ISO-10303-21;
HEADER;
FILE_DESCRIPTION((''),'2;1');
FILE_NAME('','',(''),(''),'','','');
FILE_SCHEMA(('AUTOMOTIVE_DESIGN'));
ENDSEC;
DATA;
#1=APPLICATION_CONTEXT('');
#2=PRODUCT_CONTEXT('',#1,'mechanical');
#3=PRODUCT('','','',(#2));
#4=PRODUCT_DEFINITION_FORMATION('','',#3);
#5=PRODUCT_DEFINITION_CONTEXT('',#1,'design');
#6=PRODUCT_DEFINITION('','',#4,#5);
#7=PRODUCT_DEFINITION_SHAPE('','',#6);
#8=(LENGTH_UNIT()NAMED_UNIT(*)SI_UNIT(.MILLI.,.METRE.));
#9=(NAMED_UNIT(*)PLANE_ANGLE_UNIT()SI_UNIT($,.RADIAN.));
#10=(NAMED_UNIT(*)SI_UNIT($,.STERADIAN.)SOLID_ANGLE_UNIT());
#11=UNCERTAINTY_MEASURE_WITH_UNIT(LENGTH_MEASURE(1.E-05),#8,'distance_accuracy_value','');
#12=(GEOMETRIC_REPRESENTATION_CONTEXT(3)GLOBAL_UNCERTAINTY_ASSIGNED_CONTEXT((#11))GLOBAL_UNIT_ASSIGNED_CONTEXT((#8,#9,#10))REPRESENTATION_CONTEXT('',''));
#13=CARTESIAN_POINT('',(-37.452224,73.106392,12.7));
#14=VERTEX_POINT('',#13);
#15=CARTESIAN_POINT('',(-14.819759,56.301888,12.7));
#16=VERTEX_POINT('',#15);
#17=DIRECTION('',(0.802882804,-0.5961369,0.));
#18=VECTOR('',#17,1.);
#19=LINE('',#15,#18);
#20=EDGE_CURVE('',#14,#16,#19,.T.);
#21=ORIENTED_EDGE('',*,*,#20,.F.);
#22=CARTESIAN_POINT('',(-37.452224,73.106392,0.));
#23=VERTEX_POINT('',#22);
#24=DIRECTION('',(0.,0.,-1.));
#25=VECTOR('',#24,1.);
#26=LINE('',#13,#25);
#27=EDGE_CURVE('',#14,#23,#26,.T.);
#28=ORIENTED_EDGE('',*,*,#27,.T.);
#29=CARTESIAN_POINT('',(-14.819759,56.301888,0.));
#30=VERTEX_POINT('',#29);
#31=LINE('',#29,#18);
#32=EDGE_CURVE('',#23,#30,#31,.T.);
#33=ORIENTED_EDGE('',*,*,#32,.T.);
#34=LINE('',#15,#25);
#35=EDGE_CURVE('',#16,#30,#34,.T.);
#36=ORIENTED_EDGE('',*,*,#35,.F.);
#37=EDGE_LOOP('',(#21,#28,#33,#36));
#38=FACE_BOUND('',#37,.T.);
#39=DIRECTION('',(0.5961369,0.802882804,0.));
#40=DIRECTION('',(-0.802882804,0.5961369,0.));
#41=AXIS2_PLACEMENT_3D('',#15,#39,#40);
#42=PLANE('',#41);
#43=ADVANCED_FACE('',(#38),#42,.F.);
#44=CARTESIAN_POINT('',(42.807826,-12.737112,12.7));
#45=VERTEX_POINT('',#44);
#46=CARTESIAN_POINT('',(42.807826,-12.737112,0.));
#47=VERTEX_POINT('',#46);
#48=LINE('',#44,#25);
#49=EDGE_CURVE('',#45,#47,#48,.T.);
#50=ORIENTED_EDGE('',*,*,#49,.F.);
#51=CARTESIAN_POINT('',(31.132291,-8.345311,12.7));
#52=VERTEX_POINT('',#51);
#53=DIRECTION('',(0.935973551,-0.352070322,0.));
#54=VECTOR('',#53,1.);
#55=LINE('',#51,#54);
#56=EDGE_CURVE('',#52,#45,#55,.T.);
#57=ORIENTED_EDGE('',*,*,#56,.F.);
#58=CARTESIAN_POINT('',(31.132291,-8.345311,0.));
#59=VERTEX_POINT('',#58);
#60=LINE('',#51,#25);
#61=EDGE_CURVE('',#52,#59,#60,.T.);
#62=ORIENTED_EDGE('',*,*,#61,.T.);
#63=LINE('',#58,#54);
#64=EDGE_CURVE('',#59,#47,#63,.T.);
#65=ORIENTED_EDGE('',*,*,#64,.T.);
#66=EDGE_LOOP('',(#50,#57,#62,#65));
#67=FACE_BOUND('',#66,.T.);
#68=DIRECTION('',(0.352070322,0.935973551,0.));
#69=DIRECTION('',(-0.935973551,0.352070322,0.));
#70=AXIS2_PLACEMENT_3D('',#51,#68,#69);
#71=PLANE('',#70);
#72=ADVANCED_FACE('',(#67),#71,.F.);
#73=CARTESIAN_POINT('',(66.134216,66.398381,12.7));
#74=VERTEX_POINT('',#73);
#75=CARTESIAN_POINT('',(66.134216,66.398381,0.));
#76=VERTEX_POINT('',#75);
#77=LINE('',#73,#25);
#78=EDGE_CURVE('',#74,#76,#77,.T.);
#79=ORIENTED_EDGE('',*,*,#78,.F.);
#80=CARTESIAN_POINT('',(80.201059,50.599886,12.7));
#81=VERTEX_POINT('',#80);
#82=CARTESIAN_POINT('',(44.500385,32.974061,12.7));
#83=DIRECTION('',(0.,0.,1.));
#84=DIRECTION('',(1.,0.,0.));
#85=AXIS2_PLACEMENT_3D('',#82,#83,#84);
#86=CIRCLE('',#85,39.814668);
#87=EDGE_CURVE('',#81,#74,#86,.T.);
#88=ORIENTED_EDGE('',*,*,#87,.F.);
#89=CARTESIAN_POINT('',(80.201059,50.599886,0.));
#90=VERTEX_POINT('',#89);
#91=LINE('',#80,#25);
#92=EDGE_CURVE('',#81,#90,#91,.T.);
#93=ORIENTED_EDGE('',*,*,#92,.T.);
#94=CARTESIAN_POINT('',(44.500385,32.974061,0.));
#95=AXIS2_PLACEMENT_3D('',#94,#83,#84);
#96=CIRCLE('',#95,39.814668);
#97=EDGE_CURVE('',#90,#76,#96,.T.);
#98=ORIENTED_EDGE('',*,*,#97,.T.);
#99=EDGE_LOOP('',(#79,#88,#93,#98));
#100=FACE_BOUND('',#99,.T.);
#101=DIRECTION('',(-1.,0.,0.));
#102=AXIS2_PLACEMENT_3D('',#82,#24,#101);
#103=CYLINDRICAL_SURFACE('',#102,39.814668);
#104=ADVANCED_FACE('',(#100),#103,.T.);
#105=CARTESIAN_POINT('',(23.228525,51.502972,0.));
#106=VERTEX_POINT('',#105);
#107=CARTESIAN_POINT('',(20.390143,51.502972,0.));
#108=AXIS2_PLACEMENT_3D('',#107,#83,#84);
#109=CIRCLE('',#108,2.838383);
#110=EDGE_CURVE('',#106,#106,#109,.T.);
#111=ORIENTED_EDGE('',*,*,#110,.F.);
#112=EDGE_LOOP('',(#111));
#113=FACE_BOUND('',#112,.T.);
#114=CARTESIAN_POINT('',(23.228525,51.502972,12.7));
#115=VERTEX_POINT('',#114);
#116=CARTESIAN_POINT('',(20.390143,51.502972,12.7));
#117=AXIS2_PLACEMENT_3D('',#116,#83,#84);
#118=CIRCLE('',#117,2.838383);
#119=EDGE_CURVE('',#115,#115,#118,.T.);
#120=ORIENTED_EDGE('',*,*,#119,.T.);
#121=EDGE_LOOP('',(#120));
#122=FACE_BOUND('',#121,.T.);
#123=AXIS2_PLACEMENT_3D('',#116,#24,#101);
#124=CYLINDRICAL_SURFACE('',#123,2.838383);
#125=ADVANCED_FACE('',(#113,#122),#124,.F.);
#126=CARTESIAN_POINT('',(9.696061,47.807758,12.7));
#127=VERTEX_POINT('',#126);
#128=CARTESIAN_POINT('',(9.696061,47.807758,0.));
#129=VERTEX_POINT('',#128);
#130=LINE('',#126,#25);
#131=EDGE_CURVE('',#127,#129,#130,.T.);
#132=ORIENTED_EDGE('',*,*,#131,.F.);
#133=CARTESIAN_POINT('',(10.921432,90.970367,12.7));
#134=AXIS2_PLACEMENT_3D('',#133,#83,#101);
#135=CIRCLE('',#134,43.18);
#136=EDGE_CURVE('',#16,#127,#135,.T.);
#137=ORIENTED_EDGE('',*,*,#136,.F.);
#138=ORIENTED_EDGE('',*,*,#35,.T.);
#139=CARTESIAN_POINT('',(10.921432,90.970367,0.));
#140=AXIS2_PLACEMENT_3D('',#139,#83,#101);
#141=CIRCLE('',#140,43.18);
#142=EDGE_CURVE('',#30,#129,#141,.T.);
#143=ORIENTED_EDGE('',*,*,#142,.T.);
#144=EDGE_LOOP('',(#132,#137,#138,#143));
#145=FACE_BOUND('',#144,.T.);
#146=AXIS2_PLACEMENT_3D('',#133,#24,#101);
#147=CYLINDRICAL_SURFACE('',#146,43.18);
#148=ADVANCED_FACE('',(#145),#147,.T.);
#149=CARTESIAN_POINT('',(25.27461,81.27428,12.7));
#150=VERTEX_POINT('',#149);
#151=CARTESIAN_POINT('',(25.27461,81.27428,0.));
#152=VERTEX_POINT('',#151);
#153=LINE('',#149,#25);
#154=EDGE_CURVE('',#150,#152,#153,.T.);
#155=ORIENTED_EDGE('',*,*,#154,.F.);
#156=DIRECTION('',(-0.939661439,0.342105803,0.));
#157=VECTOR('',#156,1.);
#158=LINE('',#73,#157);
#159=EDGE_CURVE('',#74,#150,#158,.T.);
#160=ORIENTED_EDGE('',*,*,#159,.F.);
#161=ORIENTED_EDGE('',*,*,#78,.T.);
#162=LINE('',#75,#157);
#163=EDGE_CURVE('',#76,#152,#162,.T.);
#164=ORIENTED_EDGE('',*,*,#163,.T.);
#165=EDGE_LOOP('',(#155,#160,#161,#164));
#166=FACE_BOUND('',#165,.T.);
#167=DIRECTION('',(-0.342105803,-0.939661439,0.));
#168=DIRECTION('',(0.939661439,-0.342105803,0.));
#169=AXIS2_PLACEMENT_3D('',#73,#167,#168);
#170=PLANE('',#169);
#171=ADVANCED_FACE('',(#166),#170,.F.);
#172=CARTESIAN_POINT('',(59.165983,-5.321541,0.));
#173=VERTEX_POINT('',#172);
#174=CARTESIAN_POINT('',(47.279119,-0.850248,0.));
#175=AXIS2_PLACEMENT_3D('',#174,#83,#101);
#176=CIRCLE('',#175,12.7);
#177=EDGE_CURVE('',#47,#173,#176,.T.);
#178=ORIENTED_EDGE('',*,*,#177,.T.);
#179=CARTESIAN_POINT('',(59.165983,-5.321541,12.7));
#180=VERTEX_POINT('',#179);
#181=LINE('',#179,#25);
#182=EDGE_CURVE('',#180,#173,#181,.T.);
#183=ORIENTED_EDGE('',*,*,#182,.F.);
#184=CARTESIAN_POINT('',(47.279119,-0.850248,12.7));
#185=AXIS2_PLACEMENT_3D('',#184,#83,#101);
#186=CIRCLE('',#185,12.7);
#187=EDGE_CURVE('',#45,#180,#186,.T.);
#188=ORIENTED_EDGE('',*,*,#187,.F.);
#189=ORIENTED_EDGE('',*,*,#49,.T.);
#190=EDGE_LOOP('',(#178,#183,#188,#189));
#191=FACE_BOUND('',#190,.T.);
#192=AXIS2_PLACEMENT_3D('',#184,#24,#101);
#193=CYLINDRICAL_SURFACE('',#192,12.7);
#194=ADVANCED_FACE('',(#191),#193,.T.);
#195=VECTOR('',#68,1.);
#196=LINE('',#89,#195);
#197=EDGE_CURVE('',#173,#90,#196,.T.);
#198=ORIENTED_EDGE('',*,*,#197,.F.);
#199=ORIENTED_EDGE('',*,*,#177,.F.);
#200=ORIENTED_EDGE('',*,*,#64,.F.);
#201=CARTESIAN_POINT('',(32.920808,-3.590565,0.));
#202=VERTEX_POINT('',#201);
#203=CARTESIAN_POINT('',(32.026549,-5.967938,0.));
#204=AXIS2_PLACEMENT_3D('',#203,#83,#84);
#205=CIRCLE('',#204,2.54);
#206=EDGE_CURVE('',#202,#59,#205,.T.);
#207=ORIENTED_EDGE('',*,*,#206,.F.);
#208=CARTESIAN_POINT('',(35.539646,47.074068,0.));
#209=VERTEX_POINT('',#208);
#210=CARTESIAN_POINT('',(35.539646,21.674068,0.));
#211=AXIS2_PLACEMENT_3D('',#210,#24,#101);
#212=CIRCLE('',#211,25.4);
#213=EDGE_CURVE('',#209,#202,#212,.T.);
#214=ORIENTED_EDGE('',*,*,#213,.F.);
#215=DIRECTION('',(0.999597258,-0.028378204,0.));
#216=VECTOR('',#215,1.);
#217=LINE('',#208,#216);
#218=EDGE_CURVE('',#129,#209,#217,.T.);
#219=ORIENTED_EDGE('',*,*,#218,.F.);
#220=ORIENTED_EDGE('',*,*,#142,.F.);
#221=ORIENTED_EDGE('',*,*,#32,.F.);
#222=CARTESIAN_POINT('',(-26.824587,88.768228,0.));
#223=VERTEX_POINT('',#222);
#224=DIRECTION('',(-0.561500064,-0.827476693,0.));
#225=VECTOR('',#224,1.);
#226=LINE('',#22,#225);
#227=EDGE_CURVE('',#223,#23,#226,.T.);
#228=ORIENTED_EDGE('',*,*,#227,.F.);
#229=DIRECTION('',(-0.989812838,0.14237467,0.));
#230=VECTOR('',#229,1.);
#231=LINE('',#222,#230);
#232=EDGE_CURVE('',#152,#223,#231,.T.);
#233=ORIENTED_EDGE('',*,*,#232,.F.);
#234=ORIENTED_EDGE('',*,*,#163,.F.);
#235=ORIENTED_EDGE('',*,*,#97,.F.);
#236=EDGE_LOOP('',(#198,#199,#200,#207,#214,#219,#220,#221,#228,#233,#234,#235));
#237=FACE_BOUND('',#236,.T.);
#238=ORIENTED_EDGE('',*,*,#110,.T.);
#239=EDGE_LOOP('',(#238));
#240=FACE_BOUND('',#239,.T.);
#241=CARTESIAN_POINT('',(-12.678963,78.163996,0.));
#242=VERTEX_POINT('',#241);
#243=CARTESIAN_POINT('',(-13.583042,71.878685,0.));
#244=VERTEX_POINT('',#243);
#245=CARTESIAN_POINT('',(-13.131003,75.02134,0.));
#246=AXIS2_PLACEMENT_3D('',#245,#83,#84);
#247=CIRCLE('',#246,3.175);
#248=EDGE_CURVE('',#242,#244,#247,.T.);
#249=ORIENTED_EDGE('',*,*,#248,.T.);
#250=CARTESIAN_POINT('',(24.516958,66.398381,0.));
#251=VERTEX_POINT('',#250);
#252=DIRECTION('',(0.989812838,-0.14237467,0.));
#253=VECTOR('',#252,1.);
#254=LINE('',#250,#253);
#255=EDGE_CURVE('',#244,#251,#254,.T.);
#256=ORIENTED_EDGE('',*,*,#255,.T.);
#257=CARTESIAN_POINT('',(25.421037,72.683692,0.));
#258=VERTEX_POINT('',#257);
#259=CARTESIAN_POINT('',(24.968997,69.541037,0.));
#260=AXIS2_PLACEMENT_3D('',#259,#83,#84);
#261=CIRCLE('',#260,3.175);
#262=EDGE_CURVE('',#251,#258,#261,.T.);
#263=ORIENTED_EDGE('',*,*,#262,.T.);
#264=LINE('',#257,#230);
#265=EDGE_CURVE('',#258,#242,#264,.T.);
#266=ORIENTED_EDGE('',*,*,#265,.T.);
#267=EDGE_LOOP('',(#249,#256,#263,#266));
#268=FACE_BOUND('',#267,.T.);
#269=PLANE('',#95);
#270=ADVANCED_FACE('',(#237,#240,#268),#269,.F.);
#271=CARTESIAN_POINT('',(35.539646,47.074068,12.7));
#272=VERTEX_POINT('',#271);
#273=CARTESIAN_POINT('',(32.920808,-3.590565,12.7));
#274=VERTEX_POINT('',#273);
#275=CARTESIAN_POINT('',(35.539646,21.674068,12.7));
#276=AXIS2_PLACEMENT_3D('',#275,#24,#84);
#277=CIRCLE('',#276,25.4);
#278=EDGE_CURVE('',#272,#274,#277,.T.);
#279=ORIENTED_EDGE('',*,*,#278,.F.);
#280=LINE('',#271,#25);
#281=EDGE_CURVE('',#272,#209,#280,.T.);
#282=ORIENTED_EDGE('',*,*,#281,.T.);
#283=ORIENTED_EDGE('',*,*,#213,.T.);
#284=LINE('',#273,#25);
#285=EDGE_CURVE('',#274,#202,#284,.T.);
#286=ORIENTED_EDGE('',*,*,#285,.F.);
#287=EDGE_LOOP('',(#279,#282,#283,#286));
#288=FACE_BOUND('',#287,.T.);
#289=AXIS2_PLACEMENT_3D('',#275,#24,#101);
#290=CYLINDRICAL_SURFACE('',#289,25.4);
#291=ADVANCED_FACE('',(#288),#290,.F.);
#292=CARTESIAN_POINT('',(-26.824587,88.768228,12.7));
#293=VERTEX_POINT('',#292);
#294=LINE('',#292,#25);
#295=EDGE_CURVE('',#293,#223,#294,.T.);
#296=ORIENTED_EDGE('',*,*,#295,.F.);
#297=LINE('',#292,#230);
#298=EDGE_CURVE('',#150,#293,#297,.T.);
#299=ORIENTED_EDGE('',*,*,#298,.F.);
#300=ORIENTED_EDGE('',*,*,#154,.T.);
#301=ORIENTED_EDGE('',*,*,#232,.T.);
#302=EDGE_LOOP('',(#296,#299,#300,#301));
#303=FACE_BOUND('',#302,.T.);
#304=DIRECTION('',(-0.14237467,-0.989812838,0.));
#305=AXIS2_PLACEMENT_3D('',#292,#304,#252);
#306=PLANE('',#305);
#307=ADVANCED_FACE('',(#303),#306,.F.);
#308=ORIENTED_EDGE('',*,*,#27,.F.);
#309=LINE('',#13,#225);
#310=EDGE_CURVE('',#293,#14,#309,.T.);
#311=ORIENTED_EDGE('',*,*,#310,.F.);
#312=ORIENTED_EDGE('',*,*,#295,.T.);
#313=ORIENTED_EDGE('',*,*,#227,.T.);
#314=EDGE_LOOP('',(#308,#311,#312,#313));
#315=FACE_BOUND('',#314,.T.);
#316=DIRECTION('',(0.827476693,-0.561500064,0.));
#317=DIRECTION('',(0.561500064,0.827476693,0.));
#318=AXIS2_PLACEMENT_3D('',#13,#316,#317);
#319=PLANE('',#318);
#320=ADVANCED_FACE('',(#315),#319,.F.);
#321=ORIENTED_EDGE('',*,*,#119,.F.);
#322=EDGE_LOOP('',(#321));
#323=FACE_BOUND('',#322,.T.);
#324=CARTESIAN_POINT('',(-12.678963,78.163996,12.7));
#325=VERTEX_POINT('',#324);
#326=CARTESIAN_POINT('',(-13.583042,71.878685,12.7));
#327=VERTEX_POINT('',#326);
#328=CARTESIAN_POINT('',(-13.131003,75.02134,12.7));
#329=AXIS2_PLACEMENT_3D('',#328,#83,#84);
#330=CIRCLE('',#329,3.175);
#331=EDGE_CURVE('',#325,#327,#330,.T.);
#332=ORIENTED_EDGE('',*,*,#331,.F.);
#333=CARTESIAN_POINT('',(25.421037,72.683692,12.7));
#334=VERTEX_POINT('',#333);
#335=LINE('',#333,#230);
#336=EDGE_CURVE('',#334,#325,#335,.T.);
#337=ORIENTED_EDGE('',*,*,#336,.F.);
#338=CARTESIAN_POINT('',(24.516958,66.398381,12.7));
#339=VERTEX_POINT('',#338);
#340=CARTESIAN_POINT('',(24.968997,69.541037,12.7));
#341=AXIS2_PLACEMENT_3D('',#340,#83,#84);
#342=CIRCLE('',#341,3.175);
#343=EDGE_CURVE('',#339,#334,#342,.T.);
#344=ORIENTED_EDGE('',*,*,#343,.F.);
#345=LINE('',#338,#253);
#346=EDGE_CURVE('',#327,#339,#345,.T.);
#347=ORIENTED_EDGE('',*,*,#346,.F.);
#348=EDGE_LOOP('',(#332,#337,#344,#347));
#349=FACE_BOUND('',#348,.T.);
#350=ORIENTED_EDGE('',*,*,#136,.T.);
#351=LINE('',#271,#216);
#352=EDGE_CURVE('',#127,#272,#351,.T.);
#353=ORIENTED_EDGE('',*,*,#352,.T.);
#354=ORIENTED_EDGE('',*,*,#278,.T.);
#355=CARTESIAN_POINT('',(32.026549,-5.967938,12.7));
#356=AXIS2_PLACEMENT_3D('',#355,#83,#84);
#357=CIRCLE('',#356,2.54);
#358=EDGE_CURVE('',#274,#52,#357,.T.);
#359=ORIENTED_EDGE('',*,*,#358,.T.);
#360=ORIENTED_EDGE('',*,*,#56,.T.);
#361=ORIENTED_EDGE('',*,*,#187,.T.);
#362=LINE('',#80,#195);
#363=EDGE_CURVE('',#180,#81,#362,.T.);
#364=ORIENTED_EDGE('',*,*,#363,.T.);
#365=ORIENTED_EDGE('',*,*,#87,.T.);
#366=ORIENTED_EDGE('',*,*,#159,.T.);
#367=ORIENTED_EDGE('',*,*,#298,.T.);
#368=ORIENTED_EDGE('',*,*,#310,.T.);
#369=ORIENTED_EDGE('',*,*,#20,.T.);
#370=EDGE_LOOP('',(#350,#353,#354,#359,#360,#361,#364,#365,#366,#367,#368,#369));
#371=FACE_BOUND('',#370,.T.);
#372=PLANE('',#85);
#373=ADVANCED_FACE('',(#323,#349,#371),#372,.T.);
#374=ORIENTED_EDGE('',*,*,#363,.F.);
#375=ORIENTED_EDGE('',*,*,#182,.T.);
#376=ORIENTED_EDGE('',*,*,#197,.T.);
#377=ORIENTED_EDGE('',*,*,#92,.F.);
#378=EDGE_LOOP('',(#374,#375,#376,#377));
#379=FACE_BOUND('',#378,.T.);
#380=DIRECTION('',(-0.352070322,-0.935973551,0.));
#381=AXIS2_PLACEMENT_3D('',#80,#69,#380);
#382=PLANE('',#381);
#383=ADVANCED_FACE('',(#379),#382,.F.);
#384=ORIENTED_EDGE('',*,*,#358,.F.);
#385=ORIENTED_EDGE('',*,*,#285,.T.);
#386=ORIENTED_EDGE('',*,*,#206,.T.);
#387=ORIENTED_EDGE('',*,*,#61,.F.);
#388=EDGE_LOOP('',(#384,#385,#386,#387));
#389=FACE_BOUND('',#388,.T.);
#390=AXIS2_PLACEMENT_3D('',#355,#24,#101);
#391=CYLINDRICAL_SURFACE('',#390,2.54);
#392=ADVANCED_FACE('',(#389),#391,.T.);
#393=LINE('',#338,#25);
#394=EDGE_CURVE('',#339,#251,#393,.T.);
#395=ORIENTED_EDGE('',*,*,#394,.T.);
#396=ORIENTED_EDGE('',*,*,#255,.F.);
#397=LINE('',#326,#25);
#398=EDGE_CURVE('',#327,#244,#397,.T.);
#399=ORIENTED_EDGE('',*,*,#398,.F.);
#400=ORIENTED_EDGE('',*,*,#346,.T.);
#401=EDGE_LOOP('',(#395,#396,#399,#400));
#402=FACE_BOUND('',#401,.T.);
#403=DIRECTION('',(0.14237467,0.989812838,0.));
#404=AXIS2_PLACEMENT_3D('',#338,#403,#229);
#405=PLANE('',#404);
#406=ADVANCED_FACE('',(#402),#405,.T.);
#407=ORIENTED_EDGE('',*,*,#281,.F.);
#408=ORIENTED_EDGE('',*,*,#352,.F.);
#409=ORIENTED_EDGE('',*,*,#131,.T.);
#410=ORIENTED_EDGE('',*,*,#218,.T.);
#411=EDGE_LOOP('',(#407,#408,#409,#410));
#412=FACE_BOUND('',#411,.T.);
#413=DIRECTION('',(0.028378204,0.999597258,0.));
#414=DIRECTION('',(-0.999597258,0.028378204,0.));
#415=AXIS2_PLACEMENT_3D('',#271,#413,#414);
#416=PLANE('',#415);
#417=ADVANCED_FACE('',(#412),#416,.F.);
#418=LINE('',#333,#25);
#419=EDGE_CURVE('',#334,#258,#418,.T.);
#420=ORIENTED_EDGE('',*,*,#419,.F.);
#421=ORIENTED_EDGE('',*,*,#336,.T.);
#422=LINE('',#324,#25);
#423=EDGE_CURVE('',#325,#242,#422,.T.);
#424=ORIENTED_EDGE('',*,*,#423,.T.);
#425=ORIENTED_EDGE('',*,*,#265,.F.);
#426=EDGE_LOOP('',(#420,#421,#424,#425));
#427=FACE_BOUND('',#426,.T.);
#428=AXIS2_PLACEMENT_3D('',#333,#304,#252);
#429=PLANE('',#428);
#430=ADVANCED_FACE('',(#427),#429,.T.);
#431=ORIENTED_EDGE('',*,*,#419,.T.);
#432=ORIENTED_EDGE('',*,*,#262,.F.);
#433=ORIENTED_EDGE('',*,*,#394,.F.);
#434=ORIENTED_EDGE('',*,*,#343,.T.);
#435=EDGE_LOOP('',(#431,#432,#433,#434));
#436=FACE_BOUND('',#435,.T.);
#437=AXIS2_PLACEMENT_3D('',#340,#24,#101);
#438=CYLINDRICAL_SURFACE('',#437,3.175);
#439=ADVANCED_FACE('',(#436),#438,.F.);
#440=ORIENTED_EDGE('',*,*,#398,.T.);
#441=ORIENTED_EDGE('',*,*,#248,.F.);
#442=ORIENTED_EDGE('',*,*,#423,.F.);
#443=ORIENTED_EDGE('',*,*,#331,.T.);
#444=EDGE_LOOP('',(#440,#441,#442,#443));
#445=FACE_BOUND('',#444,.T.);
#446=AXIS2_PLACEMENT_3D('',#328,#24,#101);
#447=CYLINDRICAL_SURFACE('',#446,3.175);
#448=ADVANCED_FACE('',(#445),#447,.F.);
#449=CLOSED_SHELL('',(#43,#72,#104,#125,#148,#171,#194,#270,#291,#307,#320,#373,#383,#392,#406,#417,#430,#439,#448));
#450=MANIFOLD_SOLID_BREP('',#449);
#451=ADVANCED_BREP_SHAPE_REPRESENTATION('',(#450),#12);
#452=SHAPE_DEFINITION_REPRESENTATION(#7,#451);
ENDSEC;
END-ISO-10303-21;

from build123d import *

# Parameters (mm, degrees)
SKETCH1_R           = 2.838382548
BOSS_EXTRUDE2_DEPTH = 12.7


with BuildPart() as part:
    # Sketch1 → Boss-Extrude2 (new body)
    with BuildSketch(Plane.XY):
        with BuildLine():
            Line((-26.824587008, 88.76822773), (25.274610138, 81.274279665))
            Line((25.274610138, 81.274279665), (66.134216336, 66.398380962))
            ThreePointArc((66.134216336, 66.398380962), (74.236045161, 59.4504343), (80.201058977, 50.599886109))
            Line((80.201058977, 50.599886109), (59.165982949, -5.321540814))
            ThreePointArc((59.165982949, -5.321540814), (52.522719394, -12.417211597), (42.807825757, -12.737111817))
            Line((42.807825757, -12.737111817), (31.132290646, -8.345310995))
            ThreePointArc((31.132290646, -8.345310995), (29.649176446, -5.073679556), (32.920807884, -3.590565356))
            ThreePointArc((32.920807884, -3.590565356), (34.228479037, -3.692067968), (35.539646393, -3.725932272))
            ThreePointArc((35.539646393, -3.725932272), (59.225238989, 12.500589471), (52.648250228, 40.447870615))
            ThreePointArc((52.648250228, 40.447870615), (44.71312465, 45.359660325), (35.539646393, 47.074067728))
            Line((35.539646393, 47.074067728), (9.696061009, 47.807757753))
            ThreePointArc((9.696061009, 47.807757753), (-3.214919538, 50.169926542), (-14.819759488, 56.301887878))
            Line((-14.819759488, 56.301887878), (-37.452223969, 73.106391791))
            Line((-37.452223969, 73.106391791), (-26.824587008, 88.76822773))
        make_face()
        with Locations((20.390142766, 51.502972215)):
            Circle(SKETCH1_R, mode=Mode.SUBTRACT)
        with BuildLine():
            Line((24.516957739, 66.398380962), (-13.583042261, 71.878684632))
            ThreePointArc((-13.583042261, 71.878684632), (-16.273658443, 75.473379968), (-12.678963107, 78.16399615))
            Line((-12.678963107, 78.16399615), (25.421036893, 72.68369248))
            ThreePointArc((25.421036893, 72.68369248), (28.111653075, 69.088997144), (24.516957739, 66.398380962))
        make_face(mode=Mode.SUBTRACT)
    extrude(amount=BOSS_EXTRUDE2_DEPTH)


solid = part.part
